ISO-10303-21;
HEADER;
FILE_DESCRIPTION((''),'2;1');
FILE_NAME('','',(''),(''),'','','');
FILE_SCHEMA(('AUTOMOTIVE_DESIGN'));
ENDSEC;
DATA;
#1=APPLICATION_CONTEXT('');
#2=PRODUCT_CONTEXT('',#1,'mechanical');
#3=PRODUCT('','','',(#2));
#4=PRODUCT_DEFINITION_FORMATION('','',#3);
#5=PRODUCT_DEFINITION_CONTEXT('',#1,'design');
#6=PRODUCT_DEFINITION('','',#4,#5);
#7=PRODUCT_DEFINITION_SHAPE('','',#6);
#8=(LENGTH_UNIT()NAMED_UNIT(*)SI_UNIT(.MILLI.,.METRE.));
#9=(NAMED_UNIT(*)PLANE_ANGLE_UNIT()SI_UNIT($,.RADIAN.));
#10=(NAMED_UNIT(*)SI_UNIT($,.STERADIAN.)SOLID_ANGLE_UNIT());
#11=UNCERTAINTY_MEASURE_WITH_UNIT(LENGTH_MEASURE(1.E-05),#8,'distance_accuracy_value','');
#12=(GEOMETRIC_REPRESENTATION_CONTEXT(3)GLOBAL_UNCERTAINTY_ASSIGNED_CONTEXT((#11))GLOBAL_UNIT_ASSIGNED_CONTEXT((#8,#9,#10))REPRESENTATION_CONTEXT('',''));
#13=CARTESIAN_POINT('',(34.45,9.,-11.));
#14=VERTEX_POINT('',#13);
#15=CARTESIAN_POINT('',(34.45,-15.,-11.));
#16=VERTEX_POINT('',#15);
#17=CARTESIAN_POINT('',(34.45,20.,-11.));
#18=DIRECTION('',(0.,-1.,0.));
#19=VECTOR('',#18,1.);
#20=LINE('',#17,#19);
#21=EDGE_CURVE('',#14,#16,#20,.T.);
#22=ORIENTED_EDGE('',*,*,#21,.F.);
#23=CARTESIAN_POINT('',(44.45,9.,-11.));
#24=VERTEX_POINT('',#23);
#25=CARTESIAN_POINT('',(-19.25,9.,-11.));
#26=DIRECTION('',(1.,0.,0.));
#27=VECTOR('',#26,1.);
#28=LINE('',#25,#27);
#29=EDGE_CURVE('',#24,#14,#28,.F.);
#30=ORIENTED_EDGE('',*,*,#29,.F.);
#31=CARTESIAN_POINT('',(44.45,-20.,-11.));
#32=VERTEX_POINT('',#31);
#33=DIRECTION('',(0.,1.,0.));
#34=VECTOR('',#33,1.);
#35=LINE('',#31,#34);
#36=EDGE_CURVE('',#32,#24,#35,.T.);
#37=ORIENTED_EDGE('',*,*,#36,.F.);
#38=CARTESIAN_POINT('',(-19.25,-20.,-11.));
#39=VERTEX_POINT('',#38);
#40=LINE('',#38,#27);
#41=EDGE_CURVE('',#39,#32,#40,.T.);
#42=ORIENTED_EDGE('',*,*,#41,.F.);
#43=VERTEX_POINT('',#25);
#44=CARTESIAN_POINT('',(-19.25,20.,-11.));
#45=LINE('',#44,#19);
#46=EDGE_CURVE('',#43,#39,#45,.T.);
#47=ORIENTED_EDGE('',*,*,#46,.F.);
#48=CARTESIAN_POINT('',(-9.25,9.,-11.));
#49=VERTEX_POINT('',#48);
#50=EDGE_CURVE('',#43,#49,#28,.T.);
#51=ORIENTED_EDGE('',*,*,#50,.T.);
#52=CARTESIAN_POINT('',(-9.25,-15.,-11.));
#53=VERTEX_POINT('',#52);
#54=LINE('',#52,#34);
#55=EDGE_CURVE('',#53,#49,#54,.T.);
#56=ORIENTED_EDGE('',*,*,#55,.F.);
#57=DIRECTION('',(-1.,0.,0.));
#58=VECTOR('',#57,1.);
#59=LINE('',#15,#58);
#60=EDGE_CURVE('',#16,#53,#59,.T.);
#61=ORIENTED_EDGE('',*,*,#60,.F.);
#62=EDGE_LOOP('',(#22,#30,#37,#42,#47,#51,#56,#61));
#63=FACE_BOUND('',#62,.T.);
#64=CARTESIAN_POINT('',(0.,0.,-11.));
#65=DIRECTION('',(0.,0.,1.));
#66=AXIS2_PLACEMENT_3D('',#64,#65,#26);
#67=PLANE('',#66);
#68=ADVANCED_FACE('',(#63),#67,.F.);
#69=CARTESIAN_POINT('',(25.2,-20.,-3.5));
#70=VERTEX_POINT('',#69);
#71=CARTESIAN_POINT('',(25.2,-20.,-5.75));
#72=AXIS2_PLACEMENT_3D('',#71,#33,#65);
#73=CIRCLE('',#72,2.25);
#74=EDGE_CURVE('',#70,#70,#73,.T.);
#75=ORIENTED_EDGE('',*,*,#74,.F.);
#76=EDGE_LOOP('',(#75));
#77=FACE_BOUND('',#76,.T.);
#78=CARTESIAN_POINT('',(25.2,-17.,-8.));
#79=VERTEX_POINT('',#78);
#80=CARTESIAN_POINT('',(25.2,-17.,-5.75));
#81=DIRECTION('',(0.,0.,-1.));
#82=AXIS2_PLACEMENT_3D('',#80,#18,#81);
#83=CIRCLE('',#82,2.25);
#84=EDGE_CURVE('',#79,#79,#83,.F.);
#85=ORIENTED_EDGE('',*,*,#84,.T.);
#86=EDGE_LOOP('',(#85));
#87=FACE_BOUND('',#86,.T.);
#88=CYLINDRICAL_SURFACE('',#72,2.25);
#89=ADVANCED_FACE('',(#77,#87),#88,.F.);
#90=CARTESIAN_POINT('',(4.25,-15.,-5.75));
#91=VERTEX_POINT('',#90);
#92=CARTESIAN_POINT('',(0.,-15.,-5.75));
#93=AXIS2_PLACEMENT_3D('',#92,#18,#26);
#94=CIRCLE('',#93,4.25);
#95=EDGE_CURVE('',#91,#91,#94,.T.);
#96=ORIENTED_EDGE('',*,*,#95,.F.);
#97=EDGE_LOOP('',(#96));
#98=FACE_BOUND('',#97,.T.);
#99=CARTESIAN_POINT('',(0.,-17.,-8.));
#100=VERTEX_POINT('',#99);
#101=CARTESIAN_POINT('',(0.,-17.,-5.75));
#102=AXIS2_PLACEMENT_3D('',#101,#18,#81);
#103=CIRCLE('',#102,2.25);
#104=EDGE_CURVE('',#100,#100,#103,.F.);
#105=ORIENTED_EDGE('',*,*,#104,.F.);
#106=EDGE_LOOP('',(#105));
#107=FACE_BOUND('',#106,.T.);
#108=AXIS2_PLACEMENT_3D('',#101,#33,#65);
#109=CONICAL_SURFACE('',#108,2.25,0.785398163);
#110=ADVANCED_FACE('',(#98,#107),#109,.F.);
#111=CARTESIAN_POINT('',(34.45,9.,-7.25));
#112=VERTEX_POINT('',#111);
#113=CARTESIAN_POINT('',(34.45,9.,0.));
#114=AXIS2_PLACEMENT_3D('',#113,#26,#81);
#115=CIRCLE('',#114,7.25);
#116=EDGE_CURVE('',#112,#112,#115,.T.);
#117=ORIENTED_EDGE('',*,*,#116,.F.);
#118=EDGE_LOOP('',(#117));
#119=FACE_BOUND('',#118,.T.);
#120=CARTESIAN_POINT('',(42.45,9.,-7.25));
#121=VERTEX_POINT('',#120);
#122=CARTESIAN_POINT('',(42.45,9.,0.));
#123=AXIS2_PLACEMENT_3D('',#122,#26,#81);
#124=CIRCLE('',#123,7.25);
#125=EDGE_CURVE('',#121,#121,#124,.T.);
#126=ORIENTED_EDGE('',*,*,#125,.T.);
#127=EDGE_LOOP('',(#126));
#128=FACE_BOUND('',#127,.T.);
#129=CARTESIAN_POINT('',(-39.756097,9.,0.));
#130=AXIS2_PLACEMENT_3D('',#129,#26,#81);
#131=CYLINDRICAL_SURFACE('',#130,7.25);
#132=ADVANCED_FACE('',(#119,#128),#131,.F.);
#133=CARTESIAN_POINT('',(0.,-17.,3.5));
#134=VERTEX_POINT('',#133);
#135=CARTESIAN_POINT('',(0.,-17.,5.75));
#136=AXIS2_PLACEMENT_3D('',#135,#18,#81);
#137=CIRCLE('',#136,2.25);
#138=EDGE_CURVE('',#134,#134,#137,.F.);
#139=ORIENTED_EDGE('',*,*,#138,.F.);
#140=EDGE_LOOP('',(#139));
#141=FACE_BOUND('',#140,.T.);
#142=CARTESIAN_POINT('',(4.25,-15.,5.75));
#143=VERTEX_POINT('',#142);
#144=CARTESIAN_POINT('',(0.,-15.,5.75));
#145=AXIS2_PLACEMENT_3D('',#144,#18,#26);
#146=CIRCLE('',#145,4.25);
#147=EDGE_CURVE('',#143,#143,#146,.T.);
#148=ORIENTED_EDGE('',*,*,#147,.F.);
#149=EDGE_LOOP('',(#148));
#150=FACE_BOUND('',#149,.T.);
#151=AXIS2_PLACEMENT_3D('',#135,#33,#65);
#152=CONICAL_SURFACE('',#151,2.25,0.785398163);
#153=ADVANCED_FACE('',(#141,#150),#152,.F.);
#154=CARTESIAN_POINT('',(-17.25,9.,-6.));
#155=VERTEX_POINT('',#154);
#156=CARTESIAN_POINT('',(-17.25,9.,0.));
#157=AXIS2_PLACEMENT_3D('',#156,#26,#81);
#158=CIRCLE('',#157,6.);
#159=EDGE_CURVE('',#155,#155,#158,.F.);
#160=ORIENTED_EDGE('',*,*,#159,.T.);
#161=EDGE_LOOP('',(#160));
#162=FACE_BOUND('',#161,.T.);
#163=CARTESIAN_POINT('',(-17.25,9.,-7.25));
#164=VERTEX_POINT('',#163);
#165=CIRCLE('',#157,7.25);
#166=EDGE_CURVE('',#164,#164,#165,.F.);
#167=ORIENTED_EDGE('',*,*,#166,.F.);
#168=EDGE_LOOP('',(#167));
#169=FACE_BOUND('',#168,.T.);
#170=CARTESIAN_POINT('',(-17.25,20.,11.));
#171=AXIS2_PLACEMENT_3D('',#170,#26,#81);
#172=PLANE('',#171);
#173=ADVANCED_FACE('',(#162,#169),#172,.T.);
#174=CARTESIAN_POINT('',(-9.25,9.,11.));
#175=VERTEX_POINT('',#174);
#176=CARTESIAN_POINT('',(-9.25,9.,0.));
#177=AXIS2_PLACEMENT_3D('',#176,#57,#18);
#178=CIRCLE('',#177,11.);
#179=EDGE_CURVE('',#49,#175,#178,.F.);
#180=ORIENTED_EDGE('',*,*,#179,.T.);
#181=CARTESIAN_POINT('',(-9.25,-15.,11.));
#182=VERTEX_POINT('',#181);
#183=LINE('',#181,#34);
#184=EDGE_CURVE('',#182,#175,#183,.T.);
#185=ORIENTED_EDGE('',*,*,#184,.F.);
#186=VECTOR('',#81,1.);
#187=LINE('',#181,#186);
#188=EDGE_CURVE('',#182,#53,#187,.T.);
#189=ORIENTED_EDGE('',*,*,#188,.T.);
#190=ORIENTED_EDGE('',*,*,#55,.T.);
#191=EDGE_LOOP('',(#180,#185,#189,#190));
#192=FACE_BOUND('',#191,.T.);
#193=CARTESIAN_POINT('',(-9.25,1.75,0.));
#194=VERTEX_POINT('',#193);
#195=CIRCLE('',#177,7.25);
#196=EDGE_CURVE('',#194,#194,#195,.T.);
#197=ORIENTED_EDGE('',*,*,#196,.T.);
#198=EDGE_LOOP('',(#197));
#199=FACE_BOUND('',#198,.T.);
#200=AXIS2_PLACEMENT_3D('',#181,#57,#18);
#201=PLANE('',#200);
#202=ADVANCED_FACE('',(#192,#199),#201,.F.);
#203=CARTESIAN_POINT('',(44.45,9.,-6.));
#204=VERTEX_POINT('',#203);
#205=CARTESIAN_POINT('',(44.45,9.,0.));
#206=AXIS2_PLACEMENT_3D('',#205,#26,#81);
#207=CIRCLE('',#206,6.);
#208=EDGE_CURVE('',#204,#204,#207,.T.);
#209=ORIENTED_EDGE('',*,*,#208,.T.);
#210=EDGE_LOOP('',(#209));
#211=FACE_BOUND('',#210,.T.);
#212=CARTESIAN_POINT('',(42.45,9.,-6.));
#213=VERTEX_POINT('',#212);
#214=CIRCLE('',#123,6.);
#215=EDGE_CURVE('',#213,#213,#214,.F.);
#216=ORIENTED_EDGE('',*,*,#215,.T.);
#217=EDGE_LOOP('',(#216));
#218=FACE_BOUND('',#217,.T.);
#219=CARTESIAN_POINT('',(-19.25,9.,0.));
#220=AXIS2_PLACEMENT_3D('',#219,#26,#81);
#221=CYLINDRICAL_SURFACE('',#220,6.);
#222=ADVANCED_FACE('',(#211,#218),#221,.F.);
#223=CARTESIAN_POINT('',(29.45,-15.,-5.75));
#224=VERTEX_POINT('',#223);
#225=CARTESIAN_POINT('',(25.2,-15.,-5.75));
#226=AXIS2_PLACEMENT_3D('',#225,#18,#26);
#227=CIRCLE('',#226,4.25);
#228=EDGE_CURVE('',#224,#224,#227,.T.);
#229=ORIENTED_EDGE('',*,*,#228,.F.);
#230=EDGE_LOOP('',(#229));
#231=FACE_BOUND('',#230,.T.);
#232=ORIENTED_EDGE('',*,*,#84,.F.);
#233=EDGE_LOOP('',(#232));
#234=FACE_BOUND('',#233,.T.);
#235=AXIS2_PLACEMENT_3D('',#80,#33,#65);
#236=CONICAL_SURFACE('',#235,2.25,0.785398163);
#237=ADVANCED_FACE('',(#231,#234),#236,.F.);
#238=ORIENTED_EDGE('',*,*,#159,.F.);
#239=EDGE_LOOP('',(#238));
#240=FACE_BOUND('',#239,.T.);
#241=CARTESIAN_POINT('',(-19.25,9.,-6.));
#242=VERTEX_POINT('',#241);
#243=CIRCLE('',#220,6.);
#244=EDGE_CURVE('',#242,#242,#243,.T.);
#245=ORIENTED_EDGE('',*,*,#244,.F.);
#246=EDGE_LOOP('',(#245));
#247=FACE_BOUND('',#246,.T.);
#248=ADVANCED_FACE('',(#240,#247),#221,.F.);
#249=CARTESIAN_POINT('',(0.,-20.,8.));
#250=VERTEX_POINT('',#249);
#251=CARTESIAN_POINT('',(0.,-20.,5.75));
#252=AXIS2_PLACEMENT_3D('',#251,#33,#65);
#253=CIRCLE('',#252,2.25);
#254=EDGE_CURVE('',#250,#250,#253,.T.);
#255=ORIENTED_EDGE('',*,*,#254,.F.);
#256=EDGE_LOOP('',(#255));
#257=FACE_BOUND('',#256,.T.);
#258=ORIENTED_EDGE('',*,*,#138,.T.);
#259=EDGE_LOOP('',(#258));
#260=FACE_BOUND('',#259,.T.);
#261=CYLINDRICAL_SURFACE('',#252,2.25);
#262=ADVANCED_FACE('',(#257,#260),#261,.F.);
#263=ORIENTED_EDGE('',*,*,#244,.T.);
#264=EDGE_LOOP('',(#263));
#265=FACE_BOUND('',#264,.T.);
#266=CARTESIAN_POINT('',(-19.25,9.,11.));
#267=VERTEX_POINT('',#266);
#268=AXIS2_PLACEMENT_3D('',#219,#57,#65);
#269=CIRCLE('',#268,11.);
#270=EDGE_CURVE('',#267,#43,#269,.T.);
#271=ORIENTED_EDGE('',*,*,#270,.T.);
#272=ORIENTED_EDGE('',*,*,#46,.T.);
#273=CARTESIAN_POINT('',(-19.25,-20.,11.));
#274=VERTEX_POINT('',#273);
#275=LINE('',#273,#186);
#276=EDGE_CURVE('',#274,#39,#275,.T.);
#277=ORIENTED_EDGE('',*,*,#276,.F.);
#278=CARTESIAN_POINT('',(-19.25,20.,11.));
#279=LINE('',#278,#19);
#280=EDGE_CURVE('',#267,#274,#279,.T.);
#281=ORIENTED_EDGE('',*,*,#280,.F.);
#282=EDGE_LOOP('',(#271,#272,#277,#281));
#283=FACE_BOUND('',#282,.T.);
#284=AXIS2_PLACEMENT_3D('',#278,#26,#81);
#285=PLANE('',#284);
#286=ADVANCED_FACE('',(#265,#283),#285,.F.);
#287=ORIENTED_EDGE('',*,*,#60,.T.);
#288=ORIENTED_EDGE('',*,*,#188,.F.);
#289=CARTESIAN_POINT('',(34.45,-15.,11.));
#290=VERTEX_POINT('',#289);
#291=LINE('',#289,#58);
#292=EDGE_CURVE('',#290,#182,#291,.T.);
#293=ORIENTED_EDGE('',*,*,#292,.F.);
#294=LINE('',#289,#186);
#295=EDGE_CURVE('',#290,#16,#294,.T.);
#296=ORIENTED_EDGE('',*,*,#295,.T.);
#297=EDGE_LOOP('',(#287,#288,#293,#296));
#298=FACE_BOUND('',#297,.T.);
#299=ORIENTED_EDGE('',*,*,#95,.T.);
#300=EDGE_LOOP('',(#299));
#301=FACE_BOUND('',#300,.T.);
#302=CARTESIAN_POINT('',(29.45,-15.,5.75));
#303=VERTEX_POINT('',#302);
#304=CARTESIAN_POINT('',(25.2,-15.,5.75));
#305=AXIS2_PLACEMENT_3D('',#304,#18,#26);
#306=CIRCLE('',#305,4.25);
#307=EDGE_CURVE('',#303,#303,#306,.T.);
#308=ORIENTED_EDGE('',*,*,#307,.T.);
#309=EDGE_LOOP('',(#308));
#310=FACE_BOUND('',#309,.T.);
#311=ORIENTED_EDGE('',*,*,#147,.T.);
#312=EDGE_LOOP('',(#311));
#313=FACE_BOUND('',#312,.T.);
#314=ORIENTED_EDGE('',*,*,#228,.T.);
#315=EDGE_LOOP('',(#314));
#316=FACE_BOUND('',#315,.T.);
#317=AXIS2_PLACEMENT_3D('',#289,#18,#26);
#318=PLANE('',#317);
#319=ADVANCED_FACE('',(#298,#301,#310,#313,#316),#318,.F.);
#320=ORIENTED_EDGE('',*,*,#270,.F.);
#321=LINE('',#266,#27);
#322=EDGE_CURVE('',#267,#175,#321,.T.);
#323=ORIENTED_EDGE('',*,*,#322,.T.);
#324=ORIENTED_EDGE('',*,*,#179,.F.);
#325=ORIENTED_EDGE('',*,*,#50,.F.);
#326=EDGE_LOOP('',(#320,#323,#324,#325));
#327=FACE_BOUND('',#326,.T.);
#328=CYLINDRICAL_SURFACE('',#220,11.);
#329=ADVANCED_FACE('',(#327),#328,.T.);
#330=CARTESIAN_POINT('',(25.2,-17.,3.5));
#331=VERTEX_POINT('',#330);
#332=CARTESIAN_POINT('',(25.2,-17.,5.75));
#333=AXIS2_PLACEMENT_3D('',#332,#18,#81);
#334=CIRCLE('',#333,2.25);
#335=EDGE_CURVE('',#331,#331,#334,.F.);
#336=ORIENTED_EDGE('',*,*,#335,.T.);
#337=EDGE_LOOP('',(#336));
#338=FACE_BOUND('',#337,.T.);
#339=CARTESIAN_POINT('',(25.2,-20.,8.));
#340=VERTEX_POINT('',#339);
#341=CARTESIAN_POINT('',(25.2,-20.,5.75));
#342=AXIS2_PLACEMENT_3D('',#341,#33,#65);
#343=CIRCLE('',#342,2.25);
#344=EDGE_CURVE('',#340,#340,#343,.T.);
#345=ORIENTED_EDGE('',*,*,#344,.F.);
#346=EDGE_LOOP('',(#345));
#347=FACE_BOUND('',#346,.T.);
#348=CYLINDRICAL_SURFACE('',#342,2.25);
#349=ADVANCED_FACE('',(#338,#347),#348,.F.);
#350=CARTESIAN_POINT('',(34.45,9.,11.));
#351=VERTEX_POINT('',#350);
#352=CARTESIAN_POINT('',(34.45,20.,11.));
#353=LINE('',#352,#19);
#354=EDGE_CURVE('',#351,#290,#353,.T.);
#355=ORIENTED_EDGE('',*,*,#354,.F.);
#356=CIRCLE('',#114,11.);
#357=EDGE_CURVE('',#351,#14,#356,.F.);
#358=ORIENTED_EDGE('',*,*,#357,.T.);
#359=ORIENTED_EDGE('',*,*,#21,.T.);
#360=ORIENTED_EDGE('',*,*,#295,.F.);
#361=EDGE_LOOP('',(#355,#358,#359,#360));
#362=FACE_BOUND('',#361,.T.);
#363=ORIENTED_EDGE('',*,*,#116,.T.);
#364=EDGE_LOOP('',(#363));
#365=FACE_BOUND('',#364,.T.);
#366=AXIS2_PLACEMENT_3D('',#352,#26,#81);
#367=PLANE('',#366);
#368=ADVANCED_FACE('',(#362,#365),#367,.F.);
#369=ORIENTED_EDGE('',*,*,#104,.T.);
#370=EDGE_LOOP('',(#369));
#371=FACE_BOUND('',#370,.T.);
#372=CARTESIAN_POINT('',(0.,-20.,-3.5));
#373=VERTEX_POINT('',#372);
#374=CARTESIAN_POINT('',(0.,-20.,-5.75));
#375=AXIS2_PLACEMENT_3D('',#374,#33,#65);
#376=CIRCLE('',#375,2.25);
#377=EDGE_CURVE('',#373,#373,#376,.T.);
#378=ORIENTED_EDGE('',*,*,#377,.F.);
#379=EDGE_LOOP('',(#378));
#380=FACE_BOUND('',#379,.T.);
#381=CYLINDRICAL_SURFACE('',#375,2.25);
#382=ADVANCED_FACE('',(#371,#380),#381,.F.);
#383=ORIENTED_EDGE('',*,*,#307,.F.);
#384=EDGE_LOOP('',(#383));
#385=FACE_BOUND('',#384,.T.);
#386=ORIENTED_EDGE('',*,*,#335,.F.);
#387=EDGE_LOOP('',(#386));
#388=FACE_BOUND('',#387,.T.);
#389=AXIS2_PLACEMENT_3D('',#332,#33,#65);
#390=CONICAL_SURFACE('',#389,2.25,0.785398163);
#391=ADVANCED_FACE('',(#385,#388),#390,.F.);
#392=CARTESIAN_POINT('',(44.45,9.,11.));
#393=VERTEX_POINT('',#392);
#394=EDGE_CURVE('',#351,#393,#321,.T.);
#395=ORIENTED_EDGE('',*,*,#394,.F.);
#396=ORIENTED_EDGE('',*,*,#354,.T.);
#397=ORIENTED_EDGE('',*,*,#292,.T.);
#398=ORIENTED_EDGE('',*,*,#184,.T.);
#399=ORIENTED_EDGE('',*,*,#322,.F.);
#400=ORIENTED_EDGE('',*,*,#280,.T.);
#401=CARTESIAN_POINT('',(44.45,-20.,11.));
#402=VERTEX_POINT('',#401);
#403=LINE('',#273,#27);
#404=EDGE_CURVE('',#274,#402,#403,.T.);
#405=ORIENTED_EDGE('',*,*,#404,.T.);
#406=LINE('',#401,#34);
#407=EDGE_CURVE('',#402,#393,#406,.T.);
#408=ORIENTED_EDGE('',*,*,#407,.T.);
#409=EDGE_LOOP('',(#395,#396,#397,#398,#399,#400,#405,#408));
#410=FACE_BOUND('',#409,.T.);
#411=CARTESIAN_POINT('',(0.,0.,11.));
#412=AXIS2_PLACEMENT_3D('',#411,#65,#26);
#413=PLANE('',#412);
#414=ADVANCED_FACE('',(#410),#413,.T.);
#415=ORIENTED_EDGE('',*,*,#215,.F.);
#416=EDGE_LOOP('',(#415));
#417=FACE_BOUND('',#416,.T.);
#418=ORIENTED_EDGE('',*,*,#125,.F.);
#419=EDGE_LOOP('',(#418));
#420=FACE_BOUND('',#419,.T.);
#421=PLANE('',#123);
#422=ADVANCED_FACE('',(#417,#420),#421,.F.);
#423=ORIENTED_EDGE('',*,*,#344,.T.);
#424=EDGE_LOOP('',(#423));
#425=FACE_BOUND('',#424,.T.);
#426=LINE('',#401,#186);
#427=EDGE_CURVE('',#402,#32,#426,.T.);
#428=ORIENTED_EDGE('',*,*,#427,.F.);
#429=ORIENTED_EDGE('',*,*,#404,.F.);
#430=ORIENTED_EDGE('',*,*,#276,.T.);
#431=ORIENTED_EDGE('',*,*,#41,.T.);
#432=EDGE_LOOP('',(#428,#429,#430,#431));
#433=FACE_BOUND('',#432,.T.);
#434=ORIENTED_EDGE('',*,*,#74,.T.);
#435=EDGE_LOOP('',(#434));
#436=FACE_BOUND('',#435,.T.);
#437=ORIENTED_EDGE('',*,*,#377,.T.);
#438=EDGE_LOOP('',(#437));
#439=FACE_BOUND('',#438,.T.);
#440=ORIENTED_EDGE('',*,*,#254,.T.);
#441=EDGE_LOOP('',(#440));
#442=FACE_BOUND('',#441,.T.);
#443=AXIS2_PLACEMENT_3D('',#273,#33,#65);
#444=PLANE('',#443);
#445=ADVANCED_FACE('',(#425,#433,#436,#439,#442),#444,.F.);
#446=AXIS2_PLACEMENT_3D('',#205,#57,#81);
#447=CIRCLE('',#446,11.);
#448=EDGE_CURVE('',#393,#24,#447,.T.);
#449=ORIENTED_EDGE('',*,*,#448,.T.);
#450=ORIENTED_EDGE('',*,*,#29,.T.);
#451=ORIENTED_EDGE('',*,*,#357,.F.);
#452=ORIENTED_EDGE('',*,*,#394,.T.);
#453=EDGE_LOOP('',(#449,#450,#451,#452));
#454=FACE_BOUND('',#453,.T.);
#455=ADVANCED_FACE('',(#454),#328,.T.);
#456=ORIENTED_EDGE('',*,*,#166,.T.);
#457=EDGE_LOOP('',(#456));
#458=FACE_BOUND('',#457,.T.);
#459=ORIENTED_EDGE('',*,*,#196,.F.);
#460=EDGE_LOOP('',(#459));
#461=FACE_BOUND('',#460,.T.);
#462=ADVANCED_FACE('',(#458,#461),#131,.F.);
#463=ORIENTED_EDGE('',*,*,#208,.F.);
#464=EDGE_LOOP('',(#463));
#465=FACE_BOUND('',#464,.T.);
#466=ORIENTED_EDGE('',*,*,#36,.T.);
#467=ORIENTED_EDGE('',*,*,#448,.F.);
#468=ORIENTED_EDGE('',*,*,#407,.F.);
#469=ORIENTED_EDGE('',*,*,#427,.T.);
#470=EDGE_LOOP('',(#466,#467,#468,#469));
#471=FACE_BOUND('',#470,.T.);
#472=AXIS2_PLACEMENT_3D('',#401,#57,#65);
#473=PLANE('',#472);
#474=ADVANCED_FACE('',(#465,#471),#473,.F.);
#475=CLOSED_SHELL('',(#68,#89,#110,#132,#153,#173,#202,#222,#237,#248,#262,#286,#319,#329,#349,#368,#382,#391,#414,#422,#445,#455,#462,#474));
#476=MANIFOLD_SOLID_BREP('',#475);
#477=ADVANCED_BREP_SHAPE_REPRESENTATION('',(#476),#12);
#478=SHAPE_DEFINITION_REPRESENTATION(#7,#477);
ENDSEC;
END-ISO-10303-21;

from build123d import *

# Parameters (mm, degrees)
BOSS_EXTRUDE1_DEPTH = 11
SKETCH2_R           = 6
CUT_EXTRUDE1_DEPTH  = 68.666018059
SKETCH3_R           = 2.25
CUT_EXTRUDE2_DEPTH  = 58.635080463
CHAMFER1_SIZE       = 2
CUT_EXTRUDE3_START  = -61.7
SKETCH4_R           = 7.25
CUT_EXTRUDE3_DEPTH  = 59.7


with BuildPart() as part:
    # Sketch1 → Boss-Extrude1 (new, symmetric)
    with BuildSketch(Plane.XY):
        Polygon((-19.25, 20), (-19.25, -20), (44.45, -20), (44.45, 20), (34.45, 20), (34.45, -15), (-9.25, -15), (-9.25, 20), align=None)
    extrude(amount=BOSS_EXTRUDE1_DEPTH, both=True)

    # Sketch2 → Cut-Extrude1 (cut, through all)
    with BuildSketch(Plane(origin=(44.45, 0, 0), x_dir=(0, 0, -1), z_dir=(1, 0, 0))):
        with Locations((0, 9)):
            Circle(SKETCH2_R)
        with BuildLine():
            Line((-11, 9), (-11, 20))
            Line((-11, 20), (-11, 31))
            Line((-11, 31), (11, 31))
            Line((11, 31), (11, 20))
            Line((11, 20), (11, 9))
            ThreePointArc((11, 9), (7.778174593, 16.778174593), (0, 20))
            ThreePointArc((0, 20), (-7.778174593, 16.778174593), (-11, 9))
        make_face()
    extrude(amount=-CUT_EXTRUDE1_DEPTH, mode=Mode.SUBTRACT)

    # Sketch3 → Cut-Extrude2 (cut, through all)
    with BuildSketch(Plane(origin=(0, -15, 0), x_dir=(1, 0, 0), z_dir=(0, 1, 0))):
        with Locations(Location((0, 5.75, 0), (0, 0, 270))):
            Circle(SKETCH3_R)
        with Locations(Location((0, -5.75, 0), (0, 0, 270))):
            Circle(SKETCH3_R)
        with Locations(Location((25.2, 5.75, 0), (0, 0, 270))):
            Circle(SKETCH3_R)
        with Locations(Location((25.2, -5.75, 0), (0, 0, 270))):
            Circle(SKETCH3_R)
    extrude(amount=-CUT_EXTRUDE2_DEPTH, mode=Mode.SUBTRACT)

    # Chamfer1
    chamfer1_edges = [part.edges().sort_by_distance(p)[0] for p in [
        (0, -15, 3.5),
        (25.2, -15, -8),
        (25.2, -15, 3.5),
        (0, -15, -8),
    ]]
    chamfer(chamfer1_edges, length=CHAMFER1_SIZE)

    # Sketch4 → Cut-Extrude3 (cut)
    with BuildSketch(Plane(origin=(44.45, 0, 0), x_dir=(0, 0, -1), z_dir=(1, 0, 0)).offset(CUT_EXTRUDE3_START)):
        with Locations((0, 9)):
            Circle(SKETCH4_R)
    extrude(amount=CUT_EXTRUDE3_DEPTH, mode=Mode.SUBTRACT)


solid = part.part
